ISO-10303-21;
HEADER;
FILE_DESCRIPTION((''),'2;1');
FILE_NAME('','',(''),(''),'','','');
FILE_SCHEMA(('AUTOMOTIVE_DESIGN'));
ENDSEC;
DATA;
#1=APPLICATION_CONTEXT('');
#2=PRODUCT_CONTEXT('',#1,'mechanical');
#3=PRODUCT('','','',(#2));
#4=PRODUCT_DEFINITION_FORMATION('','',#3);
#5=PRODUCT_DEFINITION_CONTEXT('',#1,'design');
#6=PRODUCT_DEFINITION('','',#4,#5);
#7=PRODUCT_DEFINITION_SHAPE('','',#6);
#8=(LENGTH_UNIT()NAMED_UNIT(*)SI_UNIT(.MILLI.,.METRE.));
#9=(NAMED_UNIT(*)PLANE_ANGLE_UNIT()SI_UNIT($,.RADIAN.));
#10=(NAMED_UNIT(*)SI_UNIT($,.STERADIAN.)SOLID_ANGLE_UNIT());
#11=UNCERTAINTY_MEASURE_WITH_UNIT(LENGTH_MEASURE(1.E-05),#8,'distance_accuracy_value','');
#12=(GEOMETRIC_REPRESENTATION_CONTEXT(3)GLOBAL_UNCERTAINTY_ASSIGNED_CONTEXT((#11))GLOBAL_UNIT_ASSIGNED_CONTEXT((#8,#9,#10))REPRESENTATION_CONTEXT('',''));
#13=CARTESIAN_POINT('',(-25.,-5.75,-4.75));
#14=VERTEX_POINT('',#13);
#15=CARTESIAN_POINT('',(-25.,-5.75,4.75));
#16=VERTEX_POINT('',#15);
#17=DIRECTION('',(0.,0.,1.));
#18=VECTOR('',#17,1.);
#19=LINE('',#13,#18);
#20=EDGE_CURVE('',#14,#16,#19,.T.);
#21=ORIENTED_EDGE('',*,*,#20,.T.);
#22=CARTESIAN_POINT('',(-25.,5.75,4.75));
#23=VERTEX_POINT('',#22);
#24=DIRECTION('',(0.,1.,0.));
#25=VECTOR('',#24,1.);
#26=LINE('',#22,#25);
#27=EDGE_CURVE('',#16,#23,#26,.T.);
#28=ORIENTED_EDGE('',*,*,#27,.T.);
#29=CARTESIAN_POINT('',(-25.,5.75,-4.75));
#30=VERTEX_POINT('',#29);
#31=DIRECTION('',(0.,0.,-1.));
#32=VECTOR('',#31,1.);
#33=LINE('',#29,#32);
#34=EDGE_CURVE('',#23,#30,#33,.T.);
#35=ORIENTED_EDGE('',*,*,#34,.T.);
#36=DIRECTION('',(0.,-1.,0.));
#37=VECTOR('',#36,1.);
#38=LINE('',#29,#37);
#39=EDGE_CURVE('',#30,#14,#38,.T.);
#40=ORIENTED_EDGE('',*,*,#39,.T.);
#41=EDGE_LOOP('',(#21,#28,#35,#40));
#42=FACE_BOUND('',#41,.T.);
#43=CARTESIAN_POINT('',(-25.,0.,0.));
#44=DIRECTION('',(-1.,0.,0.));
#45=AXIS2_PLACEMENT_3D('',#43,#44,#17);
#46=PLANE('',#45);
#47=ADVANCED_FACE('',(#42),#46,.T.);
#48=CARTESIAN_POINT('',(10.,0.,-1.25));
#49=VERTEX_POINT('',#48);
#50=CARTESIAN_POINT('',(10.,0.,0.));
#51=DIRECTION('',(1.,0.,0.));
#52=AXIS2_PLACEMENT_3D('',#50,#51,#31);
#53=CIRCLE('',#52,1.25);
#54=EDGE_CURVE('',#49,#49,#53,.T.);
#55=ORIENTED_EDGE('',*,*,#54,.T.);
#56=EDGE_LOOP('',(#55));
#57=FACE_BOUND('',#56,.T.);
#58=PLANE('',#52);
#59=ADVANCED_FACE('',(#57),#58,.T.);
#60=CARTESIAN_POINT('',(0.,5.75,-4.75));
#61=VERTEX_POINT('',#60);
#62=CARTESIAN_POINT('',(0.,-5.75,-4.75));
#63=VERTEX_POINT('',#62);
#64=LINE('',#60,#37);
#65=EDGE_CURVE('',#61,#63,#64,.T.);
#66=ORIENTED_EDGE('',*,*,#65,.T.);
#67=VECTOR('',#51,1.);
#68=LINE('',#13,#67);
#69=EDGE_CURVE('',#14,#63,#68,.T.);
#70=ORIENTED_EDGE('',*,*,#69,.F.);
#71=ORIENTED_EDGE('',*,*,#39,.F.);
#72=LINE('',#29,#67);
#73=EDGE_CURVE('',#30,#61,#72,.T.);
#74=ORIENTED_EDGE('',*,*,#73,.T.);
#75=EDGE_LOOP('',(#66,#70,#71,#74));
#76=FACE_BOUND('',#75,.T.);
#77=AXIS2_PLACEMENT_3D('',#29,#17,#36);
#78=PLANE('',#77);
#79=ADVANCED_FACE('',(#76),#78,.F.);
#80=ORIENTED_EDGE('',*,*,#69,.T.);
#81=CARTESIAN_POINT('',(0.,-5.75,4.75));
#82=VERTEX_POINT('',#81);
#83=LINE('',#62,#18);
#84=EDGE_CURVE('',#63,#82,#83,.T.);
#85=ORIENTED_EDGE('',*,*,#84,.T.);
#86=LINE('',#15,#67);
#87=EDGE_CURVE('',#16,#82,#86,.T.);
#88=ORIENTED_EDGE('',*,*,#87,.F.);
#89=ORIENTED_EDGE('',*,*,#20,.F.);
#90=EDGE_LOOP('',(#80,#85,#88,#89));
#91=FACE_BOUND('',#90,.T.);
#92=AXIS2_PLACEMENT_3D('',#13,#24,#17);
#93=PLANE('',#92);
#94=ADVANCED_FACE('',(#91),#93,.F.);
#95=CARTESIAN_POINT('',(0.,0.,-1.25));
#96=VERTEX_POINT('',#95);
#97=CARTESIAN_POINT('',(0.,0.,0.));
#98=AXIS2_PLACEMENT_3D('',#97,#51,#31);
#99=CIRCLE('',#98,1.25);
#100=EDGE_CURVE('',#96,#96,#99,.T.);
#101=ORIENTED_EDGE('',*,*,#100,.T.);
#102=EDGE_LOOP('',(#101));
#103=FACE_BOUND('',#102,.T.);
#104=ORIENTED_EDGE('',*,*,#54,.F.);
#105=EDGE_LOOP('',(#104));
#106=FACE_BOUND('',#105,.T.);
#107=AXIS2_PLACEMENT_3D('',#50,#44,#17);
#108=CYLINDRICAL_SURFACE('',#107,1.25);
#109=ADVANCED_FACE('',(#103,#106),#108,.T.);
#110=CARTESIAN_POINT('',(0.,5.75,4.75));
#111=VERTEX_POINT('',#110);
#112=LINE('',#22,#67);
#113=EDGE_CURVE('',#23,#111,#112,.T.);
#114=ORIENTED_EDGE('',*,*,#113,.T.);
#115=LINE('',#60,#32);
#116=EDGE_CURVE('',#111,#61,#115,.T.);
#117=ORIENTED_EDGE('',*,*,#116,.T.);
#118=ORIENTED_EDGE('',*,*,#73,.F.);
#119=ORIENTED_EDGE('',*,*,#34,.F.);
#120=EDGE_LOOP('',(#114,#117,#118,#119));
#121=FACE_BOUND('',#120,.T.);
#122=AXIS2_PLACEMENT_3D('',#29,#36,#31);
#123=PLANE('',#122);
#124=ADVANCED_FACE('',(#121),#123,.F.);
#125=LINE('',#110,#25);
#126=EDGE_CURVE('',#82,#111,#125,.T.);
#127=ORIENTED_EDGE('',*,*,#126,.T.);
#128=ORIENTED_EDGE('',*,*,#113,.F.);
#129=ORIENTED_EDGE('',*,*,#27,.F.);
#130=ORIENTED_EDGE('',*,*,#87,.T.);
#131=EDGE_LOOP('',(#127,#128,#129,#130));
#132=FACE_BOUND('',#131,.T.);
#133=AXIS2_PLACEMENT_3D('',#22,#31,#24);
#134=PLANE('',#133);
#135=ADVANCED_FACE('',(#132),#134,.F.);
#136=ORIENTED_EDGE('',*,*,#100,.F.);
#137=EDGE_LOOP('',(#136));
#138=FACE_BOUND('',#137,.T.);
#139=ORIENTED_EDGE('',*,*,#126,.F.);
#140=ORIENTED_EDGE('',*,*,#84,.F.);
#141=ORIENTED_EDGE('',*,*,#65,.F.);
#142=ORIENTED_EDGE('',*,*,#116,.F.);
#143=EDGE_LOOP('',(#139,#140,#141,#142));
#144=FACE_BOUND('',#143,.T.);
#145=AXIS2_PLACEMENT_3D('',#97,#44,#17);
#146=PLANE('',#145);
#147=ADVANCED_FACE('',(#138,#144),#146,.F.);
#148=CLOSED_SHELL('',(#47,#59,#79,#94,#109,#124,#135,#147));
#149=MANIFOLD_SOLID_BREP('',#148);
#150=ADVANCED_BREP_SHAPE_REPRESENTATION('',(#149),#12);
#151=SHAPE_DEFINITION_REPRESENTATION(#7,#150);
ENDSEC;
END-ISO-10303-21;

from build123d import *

# Parameters (mm, degrees)
SKETCH1_R           = 1.25
BOSS_EXTRUDE1_DEPTH = 10
SKETCH2_W           = 9.5
SKETCH2_H           = 11.5
BOSS_EXTRUDE2_DEPTH = 25


with BuildPart() as part:
    # Sketch1 → Boss-Extrude1 (new body)
    with BuildSketch(Plane(origin=(0, 0, 0), x_dir=(0, 0, -1), z_dir=(1, 0, 0))):
        Circle(SKETCH1_R)
    extrude(amount=BOSS_EXTRUDE1_DEPTH)

    # Sketch2 → Boss-Extrude2 (add)
    with BuildSketch(Plane.ZY):
        Rectangle(SKETCH2_W, SKETCH2_H)
    extrude(amount=BOSS_EXTRUDE2_DEPTH)


solid = part.part
